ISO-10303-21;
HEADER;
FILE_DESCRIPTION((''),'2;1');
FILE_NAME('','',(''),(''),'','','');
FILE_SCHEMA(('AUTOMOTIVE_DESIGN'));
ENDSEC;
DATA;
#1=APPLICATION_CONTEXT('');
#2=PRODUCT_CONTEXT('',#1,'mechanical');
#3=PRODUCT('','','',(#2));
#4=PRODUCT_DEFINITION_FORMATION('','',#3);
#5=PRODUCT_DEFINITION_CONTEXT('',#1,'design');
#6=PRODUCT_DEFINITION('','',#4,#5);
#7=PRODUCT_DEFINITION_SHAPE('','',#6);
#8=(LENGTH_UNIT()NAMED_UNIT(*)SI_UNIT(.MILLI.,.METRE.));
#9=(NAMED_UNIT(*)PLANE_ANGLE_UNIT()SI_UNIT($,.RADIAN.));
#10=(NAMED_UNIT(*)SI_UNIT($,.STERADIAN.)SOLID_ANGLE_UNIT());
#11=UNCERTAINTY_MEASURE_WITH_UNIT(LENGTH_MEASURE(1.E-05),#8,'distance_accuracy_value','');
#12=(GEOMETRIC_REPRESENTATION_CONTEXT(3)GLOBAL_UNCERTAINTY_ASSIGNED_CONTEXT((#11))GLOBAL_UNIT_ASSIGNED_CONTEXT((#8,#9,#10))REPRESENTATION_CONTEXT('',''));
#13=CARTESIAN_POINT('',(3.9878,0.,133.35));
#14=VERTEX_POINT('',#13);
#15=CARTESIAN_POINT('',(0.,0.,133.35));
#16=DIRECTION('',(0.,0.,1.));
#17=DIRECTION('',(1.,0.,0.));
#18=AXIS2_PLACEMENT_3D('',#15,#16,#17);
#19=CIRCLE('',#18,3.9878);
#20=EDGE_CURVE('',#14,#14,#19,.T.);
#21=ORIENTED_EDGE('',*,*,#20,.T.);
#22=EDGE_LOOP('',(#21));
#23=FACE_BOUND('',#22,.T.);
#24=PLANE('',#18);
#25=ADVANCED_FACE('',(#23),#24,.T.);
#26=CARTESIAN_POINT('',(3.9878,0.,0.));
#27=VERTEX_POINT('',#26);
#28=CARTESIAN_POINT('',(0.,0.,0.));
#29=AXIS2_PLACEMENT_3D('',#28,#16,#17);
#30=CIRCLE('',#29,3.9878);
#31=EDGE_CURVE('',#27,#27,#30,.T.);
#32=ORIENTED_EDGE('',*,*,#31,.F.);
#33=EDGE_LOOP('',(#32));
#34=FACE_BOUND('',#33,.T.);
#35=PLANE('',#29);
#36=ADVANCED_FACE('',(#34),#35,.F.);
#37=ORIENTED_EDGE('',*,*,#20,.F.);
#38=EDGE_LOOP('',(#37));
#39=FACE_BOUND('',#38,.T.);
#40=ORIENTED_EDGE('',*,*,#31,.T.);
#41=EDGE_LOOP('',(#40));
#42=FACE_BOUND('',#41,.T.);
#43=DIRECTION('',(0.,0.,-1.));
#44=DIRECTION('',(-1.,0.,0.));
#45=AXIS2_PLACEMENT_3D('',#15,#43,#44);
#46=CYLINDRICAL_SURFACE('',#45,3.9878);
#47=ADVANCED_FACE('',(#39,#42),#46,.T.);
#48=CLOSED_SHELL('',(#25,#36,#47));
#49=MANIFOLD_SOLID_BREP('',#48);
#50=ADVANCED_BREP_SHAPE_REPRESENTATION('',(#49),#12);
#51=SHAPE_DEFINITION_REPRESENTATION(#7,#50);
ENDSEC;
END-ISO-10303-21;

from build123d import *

# Parameters (mm, degrees)
SKETCH1_R           = 3.9878
BOSS_EXTRUDE1_DEPTH = 133.35


with BuildPart() as part:
    # Sketch1 → Boss-Extrude1 (new body)
    with BuildSketch(Plane.XY):
        Circle(SKETCH1_R)
    extrude(amount=BOSS_EXTRUDE1_DEPTH)


solid = part.part
